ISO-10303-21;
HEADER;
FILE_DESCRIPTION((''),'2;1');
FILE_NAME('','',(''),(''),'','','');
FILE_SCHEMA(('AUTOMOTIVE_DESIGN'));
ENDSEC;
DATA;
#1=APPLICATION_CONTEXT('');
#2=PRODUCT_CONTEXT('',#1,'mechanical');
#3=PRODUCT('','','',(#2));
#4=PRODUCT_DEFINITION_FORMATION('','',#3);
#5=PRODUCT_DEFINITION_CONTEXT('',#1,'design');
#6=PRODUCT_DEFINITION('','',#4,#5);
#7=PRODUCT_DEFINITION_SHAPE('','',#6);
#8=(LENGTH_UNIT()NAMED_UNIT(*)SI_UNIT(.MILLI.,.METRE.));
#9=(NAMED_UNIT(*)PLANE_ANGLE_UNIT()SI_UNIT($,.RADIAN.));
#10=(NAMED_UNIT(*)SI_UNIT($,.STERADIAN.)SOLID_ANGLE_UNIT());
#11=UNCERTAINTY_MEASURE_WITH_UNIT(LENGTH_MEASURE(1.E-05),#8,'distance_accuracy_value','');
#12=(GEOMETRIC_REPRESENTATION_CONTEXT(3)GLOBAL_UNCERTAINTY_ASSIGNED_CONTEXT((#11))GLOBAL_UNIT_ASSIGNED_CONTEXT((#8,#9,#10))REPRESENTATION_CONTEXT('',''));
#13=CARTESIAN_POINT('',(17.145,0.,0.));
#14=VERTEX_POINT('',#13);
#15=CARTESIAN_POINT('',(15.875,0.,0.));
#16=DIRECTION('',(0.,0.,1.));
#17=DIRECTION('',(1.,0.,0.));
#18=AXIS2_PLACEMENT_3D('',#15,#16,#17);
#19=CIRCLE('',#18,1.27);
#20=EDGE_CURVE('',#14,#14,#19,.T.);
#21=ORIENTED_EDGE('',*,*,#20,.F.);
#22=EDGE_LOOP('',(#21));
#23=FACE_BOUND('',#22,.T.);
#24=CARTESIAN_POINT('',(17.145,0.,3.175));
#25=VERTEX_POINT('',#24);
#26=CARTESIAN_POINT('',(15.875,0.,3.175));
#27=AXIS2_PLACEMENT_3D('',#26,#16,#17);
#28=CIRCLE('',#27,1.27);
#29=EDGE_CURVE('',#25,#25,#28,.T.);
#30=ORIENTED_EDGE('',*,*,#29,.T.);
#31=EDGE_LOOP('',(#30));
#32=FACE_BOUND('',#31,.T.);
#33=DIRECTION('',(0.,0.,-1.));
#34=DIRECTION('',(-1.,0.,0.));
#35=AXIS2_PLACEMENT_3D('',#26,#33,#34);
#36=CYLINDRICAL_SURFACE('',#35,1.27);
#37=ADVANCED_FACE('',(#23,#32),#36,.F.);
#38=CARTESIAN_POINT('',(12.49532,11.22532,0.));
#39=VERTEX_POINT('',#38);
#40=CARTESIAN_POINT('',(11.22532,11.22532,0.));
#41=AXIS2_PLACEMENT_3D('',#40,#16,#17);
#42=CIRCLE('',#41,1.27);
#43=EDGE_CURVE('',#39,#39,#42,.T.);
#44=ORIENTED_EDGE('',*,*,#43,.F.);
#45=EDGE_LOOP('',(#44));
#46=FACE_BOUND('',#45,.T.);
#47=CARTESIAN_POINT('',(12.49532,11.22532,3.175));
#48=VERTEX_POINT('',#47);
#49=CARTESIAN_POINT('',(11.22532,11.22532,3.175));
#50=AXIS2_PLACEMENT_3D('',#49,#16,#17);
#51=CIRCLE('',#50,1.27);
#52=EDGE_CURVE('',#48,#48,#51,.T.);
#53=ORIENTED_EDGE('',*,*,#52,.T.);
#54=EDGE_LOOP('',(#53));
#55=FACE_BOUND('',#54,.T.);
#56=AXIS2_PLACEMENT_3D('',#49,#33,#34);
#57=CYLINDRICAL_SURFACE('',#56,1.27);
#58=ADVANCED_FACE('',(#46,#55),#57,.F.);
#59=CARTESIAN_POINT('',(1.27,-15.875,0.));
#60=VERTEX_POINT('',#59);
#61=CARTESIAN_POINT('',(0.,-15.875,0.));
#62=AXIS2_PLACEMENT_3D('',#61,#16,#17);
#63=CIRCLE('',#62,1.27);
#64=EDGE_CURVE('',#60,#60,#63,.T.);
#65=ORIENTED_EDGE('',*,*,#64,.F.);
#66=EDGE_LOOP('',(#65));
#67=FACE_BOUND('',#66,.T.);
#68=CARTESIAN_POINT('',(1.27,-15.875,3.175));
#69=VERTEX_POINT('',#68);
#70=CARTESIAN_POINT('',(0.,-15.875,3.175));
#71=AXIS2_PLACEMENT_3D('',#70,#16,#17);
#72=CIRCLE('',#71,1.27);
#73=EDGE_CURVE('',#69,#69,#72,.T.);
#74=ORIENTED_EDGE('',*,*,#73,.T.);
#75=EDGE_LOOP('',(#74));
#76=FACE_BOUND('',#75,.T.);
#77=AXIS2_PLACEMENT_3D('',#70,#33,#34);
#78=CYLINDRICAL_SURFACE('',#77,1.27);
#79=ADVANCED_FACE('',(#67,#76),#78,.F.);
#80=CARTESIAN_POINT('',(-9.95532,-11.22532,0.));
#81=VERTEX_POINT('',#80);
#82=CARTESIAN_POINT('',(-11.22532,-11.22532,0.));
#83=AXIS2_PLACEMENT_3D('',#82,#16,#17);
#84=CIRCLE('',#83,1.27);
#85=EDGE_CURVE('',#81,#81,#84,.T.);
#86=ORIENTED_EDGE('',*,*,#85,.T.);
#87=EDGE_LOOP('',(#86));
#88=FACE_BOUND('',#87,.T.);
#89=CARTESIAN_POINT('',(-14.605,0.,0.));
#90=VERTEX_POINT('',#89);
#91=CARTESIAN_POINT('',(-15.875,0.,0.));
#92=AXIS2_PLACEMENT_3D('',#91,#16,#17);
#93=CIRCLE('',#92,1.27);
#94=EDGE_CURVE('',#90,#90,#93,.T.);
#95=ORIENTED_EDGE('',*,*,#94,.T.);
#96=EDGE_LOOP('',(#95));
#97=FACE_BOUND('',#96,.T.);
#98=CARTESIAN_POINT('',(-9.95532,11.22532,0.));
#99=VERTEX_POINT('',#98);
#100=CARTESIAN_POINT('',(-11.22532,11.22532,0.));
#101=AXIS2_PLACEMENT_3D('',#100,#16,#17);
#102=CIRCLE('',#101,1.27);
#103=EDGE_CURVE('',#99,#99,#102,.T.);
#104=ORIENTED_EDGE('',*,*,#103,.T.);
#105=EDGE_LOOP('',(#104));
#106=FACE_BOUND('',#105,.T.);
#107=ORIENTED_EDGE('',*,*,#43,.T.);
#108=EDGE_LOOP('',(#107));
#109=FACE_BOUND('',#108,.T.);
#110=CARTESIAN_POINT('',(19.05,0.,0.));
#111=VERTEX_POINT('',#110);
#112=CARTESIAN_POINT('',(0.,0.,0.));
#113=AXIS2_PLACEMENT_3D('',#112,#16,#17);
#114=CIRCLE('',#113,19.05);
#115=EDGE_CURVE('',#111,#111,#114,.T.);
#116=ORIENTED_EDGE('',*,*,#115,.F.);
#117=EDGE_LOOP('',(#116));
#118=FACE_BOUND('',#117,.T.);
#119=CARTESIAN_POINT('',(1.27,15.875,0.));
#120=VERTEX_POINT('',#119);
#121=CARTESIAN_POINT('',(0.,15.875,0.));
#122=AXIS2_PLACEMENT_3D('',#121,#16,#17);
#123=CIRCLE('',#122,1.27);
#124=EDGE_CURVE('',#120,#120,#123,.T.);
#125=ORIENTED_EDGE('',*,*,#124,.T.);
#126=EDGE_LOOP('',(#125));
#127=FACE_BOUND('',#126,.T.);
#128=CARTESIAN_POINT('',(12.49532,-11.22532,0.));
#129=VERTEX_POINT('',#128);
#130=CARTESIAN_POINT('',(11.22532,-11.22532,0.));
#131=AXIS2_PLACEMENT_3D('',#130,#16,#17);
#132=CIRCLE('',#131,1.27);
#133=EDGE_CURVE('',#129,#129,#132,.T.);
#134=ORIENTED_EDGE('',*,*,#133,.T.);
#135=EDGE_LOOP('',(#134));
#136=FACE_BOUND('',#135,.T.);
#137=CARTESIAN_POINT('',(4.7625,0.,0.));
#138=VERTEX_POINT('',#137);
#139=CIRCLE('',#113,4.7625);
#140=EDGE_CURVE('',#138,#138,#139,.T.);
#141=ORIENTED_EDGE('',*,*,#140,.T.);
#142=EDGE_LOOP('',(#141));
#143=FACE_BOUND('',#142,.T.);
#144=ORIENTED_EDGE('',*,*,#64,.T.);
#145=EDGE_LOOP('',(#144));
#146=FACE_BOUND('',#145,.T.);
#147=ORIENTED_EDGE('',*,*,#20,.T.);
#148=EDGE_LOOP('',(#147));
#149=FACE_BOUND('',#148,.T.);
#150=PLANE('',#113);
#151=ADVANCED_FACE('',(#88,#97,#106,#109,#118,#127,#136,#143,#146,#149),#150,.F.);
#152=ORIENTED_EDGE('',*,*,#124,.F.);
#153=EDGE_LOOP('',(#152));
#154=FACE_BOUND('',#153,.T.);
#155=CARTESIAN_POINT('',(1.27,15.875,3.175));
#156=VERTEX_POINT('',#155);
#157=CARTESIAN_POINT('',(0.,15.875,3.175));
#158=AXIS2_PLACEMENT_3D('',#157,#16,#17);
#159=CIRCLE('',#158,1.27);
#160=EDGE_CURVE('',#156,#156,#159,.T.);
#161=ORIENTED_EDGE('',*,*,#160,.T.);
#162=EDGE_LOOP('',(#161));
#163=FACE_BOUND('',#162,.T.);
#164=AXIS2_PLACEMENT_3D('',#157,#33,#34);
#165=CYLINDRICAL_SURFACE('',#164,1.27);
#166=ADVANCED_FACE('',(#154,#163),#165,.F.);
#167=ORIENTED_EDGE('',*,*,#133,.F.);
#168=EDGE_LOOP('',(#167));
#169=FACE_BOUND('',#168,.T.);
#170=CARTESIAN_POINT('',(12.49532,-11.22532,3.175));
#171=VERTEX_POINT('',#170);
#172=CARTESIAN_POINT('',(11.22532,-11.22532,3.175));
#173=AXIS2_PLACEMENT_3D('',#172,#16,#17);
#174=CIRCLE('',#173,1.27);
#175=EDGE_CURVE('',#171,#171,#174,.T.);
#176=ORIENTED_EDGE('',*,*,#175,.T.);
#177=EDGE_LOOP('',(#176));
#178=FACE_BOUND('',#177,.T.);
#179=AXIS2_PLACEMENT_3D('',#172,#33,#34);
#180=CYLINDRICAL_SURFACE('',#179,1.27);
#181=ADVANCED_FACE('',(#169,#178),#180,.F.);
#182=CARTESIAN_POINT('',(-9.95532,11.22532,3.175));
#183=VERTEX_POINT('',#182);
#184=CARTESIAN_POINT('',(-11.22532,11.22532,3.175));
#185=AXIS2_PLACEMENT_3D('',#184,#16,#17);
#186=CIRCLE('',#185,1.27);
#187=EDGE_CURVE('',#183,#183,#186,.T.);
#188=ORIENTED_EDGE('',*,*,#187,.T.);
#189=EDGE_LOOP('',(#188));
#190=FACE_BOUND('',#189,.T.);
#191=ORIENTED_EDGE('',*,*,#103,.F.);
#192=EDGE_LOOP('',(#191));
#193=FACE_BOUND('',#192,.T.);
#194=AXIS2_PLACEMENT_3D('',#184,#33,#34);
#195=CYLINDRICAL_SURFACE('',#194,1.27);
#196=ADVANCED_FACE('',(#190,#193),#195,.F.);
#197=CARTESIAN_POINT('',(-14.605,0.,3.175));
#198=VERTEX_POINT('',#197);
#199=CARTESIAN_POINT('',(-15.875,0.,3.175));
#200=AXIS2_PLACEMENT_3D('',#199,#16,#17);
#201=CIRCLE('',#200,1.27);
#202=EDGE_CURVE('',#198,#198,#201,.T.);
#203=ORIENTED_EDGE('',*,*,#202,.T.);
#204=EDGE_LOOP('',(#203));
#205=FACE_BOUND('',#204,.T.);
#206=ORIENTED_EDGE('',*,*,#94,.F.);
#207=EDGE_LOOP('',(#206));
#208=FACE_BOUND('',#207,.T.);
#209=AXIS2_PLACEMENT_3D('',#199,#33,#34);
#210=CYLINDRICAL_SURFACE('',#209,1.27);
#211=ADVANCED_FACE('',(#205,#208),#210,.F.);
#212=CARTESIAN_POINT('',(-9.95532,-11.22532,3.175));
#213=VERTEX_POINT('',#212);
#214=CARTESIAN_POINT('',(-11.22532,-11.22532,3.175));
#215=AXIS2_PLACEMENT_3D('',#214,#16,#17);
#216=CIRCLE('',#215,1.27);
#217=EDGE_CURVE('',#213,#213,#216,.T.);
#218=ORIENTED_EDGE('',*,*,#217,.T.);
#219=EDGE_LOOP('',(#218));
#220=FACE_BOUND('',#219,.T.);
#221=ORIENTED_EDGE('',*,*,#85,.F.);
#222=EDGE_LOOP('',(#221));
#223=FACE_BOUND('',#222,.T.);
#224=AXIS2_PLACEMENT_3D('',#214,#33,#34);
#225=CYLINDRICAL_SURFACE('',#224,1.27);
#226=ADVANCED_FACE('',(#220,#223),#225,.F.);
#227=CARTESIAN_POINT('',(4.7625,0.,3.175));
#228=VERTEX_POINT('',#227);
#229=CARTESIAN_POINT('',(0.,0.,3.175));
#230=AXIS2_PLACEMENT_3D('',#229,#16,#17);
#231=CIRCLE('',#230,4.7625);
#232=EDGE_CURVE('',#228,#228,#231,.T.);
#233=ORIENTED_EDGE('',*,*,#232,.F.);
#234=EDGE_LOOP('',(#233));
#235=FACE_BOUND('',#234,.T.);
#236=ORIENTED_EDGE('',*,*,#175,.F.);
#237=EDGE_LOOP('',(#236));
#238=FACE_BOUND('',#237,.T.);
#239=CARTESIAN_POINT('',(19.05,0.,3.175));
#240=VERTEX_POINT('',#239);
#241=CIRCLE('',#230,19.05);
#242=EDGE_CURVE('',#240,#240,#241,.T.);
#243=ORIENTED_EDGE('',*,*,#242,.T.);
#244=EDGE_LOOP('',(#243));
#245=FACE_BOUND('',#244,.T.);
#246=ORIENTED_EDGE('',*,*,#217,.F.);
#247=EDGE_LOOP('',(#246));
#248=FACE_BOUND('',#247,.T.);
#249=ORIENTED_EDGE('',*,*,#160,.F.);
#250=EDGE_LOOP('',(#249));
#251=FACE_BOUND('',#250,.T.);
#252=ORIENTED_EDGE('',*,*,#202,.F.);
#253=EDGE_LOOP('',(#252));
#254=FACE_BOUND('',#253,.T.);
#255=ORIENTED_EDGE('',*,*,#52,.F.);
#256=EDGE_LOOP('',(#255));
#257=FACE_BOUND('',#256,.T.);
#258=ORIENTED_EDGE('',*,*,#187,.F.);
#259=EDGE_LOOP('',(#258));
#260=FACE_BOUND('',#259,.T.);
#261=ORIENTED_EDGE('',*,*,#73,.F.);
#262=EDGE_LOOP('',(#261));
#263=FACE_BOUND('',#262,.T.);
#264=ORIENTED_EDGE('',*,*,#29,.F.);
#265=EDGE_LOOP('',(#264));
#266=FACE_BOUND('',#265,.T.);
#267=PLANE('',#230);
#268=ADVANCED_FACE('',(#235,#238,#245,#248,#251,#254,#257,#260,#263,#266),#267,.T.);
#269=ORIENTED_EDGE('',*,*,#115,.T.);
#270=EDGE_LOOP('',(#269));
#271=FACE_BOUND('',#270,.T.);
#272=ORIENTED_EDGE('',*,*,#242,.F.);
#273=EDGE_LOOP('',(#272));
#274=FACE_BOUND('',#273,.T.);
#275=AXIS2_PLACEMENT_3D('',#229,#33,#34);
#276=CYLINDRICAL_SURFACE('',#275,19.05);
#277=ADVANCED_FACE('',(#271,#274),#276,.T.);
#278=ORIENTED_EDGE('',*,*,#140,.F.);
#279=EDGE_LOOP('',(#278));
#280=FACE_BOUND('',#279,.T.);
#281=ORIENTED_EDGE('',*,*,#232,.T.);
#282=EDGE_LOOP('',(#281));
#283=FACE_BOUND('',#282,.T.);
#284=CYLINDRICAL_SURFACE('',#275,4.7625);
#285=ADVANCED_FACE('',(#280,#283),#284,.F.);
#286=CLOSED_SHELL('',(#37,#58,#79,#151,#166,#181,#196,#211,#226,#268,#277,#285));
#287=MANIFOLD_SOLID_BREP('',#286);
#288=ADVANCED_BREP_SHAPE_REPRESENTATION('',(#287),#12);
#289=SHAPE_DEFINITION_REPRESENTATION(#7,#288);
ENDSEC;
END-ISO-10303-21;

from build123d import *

# Parameters (mm, degrees)
SKETCH1_R           = 19.05
SKETCH1_R_2         = 1.27
SKETCH1_R_3         = 4.7625
BOSS_EXTRUDE1_DEPTH = 3.175


with BuildPart() as part:
    # Sketch1 → Boss-Extrude1 (new body)
    with BuildSketch(Plane.XY):
        Circle(SKETCH1_R)
        with Locations((0, 15.875)):
            Circle(SKETCH1_R_2, mode=Mode.SUBTRACT)
        with Locations((11.225320151, 11.225320151)):
            Circle(SKETCH1_R_2, mode=Mode.SUBTRACT)
        with Locations((15.875, 0)):
            Circle(SKETCH1_R_2, mode=Mode.SUBTRACT)
        Circle(SKETCH1_R_3, mode=Mode.SUBTRACT)
        with Locations((11.225320151, -11.225320151)):
            Circle(SKETCH1_R_2, mode=Mode.SUBTRACT)
        with Locations((0, -15.875)):
            Circle(SKETCH1_R_2, mode=Mode.SUBTRACT)
        with Locations((-11.225320151, -11.225320151)):
            Circle(SKETCH1_R_2, mode=Mode.SUBTRACT)
        with Locations((-15.875, 0)):
            Circle(SKETCH1_R_2, mode=Mode.SUBTRACT)
        with Locations((-11.225320151, 11.225320151)):
            Circle(SKETCH1_R_2, mode=Mode.SUBTRACT)
    extrude(amount=BOSS_EXTRUDE1_DEPTH)


solid = part.part
